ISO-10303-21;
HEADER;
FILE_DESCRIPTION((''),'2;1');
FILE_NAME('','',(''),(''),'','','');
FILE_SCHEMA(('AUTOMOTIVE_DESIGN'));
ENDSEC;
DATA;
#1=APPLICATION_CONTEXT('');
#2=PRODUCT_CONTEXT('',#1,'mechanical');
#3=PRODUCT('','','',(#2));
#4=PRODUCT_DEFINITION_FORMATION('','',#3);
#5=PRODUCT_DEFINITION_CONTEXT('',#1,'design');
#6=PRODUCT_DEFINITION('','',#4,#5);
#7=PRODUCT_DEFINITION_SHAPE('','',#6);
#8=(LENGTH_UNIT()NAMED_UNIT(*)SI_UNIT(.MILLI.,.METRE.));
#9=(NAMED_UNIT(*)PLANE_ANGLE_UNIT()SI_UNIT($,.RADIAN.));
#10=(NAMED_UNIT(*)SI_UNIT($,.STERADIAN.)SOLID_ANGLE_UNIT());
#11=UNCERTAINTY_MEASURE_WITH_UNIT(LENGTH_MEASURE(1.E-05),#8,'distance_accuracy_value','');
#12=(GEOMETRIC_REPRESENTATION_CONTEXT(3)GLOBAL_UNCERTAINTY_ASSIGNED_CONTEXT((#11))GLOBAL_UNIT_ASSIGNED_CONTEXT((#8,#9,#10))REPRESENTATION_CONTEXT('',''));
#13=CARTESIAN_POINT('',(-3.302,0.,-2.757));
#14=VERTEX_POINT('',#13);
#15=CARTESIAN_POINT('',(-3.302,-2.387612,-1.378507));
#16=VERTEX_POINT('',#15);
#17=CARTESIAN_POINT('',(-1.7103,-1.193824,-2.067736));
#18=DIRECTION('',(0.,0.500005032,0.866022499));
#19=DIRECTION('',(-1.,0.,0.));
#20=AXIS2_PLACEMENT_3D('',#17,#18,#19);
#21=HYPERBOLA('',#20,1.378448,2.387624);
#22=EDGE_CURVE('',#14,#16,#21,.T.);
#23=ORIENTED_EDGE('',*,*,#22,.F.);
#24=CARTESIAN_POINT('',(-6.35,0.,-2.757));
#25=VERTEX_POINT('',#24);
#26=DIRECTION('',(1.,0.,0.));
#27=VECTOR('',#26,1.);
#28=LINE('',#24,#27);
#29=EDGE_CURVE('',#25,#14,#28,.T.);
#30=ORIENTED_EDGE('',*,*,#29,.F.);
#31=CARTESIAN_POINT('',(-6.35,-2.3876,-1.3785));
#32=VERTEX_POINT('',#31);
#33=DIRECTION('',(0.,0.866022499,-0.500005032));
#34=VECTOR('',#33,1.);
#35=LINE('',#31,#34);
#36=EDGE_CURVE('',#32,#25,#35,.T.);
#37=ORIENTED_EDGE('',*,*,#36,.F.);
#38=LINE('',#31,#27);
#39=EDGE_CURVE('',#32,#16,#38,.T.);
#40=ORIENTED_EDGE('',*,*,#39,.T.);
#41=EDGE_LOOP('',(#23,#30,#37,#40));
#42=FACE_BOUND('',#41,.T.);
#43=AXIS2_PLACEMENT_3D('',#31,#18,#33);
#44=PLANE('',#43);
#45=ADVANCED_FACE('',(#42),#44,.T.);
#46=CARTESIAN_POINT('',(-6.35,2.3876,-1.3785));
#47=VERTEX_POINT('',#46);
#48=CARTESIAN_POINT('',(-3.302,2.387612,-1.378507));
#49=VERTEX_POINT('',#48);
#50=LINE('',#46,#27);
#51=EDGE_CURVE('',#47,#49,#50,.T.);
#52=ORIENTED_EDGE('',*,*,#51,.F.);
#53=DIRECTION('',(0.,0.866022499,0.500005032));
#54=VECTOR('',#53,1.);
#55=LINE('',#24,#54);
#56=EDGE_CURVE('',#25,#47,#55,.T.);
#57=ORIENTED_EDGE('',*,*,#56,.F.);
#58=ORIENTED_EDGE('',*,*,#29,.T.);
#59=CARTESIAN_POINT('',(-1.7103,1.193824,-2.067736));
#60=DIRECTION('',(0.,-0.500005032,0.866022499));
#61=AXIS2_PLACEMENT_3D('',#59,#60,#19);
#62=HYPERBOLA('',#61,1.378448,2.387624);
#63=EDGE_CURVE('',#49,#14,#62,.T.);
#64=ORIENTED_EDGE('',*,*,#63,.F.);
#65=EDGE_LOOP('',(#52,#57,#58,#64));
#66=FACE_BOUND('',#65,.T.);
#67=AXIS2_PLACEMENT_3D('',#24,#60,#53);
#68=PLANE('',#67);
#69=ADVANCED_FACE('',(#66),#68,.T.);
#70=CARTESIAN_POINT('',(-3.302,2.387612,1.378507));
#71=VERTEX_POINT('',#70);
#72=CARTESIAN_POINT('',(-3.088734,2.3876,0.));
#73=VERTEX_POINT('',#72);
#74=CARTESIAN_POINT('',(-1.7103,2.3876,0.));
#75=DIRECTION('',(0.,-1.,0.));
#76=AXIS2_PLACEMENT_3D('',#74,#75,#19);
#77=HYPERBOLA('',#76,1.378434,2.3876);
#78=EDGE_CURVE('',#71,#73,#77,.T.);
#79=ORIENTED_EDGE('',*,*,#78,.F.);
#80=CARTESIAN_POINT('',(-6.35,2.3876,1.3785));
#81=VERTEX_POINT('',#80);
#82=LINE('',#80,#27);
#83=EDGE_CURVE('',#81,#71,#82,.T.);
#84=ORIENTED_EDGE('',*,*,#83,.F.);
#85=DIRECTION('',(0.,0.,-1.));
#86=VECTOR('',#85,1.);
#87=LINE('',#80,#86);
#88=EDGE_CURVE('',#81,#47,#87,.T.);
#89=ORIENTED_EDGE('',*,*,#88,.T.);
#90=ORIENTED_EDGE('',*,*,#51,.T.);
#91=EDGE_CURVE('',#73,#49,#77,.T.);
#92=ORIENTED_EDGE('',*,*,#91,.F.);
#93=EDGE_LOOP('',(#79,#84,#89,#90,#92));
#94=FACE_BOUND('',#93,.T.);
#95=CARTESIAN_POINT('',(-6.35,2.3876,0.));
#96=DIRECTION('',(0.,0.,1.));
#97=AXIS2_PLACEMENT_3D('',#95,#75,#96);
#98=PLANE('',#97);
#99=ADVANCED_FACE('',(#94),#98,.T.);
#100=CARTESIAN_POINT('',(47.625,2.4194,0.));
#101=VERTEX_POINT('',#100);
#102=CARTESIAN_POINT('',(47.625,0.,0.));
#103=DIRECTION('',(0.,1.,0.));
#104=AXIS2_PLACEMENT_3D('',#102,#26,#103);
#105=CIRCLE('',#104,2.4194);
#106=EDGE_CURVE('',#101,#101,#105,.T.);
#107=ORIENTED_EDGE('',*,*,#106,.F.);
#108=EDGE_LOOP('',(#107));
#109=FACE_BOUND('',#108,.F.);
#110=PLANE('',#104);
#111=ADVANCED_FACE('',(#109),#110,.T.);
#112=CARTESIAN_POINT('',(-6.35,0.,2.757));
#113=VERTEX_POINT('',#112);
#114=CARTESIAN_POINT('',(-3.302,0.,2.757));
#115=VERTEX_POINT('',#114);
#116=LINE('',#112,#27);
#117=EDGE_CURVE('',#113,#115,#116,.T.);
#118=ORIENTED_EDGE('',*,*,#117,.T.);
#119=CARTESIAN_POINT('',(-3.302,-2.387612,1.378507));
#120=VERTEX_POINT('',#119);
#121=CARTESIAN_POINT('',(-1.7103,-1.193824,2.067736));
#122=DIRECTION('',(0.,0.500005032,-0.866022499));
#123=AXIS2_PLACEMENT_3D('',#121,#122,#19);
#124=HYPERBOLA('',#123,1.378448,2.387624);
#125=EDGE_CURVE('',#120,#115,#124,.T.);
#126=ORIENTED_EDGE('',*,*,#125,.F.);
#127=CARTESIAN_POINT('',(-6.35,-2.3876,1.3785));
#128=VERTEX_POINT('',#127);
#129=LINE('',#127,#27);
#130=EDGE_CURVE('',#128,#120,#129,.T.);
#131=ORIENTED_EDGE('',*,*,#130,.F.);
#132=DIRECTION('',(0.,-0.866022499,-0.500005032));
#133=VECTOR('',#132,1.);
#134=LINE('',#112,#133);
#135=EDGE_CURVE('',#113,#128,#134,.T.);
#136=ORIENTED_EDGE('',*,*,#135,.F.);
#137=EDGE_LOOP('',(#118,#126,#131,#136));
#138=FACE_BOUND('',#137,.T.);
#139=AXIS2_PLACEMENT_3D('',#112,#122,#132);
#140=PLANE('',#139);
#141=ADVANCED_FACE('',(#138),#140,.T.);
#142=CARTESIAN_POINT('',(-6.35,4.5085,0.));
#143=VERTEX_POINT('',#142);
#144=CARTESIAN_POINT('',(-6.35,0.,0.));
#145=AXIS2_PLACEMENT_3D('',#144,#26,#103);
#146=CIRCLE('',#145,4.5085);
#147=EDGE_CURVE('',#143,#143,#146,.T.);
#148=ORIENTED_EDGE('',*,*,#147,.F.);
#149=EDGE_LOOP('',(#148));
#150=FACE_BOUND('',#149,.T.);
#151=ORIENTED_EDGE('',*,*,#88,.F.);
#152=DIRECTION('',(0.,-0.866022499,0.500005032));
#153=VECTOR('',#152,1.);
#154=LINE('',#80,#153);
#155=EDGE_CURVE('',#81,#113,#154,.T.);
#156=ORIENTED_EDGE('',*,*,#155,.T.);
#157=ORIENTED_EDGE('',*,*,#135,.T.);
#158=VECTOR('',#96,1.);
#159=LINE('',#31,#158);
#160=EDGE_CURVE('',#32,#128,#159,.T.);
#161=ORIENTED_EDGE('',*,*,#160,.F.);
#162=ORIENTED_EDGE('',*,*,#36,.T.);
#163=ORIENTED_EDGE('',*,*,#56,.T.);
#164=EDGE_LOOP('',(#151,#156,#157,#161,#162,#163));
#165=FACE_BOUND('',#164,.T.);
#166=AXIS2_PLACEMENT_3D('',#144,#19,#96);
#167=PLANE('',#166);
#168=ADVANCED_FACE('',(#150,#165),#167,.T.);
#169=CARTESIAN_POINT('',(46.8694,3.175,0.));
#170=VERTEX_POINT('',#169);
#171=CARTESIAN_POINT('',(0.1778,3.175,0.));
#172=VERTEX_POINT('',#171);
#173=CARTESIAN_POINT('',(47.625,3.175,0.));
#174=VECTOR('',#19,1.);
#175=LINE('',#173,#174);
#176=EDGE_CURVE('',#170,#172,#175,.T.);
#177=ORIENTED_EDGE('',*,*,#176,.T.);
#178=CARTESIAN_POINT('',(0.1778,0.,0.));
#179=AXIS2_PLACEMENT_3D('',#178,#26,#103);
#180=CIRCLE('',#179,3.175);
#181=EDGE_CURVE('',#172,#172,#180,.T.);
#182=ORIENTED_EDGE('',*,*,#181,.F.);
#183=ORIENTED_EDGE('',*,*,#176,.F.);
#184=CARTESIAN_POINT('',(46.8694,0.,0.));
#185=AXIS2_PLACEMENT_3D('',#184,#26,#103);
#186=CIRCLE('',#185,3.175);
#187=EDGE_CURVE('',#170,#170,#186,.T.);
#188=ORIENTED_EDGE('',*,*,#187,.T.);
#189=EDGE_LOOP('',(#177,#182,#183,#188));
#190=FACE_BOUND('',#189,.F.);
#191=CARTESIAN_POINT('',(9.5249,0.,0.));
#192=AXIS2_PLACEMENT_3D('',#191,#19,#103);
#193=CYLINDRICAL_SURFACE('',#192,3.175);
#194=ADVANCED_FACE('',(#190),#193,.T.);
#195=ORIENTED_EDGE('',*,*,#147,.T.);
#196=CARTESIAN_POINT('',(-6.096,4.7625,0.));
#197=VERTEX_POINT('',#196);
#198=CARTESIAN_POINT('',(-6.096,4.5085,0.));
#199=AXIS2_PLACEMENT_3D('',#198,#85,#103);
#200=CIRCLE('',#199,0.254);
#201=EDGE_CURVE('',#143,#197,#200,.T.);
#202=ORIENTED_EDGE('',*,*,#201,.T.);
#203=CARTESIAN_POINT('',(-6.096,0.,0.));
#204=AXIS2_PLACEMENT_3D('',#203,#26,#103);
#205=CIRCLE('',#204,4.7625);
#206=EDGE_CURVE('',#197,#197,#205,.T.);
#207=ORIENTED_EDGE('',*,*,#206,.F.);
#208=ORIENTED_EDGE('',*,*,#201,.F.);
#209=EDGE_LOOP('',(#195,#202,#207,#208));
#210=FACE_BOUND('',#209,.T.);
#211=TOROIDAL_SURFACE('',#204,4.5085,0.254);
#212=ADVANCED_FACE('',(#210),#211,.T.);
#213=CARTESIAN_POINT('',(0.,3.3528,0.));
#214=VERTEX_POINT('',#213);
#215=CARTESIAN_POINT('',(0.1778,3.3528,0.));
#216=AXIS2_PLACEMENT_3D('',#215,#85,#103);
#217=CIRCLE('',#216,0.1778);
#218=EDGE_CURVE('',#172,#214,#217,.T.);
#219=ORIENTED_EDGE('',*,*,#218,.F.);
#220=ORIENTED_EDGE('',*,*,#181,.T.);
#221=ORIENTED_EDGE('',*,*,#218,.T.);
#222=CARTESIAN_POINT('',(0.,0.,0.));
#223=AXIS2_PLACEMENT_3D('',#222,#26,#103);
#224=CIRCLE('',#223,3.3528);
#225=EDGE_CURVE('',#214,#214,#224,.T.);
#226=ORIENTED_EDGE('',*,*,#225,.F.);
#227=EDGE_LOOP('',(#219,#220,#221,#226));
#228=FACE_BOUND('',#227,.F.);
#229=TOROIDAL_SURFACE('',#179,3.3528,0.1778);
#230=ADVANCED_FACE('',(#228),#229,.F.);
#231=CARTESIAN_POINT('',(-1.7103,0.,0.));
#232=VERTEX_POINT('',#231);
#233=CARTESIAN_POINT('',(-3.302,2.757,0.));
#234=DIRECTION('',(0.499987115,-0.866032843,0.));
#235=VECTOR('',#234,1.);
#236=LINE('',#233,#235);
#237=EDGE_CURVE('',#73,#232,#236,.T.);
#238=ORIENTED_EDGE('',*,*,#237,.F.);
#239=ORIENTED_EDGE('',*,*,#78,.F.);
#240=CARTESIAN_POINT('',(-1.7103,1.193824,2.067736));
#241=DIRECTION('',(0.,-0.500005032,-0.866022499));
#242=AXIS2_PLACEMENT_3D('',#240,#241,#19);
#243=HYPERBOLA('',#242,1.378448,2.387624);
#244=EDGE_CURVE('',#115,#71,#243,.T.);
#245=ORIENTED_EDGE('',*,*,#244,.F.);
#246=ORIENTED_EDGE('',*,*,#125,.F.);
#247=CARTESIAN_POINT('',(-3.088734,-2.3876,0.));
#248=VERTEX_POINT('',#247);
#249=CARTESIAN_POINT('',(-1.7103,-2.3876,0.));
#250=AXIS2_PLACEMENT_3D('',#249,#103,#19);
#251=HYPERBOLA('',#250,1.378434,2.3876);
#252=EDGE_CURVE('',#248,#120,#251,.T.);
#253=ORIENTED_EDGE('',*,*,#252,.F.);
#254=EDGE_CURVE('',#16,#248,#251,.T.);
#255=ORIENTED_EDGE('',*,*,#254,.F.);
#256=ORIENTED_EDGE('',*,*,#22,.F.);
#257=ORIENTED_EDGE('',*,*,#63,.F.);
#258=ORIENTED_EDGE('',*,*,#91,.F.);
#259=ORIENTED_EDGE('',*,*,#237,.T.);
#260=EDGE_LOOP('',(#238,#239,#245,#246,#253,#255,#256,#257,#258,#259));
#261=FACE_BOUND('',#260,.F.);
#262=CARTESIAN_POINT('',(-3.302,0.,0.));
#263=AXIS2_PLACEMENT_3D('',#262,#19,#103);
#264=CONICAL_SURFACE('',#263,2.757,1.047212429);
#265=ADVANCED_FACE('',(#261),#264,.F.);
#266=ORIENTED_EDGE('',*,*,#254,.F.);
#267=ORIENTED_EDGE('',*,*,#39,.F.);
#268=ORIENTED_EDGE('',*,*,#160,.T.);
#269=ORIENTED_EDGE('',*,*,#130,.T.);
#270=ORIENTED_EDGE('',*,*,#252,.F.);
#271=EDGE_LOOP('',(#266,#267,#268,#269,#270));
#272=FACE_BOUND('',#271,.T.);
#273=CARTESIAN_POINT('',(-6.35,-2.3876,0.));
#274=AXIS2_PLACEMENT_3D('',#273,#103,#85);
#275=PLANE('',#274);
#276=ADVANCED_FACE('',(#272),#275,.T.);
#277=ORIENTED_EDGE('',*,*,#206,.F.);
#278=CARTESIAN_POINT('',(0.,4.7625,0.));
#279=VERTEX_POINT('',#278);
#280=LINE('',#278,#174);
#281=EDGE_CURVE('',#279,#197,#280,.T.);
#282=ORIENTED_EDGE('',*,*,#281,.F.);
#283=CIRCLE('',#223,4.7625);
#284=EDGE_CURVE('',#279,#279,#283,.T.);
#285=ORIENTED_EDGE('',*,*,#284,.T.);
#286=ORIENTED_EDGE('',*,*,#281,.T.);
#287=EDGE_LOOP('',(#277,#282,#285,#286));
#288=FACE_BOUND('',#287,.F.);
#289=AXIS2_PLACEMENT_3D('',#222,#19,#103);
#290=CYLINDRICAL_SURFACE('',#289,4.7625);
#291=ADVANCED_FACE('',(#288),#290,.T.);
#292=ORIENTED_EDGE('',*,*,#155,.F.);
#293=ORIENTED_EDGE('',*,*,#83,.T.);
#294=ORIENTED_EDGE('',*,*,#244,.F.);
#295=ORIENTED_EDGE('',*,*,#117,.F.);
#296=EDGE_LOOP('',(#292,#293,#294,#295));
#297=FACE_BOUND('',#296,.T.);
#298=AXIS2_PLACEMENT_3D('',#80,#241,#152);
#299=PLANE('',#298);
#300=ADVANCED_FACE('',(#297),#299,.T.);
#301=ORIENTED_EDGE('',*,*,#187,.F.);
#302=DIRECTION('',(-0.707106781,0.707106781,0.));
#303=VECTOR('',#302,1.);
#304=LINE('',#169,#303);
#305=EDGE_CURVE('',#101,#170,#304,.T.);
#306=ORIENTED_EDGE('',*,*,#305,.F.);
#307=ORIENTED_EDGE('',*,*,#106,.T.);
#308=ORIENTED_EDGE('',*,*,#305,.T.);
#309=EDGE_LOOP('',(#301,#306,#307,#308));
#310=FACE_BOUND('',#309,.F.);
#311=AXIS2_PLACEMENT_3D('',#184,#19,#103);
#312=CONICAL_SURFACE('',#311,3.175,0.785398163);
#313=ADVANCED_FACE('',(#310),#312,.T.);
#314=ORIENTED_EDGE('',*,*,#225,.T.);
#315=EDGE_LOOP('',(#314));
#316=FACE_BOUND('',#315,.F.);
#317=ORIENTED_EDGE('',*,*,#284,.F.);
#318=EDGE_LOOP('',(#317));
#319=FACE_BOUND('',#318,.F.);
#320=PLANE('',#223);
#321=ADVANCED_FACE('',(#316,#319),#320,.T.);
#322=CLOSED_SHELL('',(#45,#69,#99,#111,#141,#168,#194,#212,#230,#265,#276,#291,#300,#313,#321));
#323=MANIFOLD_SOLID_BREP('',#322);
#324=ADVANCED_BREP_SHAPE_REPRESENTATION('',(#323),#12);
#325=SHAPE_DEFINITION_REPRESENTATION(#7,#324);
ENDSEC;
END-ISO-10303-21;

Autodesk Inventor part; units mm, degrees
ref_plane "YZ Plane" through (0, 0, 0) normal (1, 0, 0) x (0, 1, 0)
ref_plane "XZ Plane" through (0, 0, 0) normal (0, 1, 0) x (-1, 0, 0)
sketch "Sketch1" plane through (0, 0, 0) normal (0, 0, 1) x (1, 0, 0)
  line L0 (-1.7103, 0) -> (47.625, 0)
  line L1 (47.625, 0) -> (47.625, 3.175)
  line L2 (47.625, 3.175) -> (12.7, 3.175)
  line L3 (12.7, 3.175) -> (9.5249, 3.175)
  line L4 (9.5249, 3.175) -> (0, 3.175)
  line L5 (0, 3.175) -> (0, 4.7625)
  line L6 (0, 4.7625) -> (-6.35, 4.7625)
  line L7 (-6.35, 4.7625) -> (-6.35, 2.757)
  line L8 (-6.35, 2.757) -> (-3.302, 2.757)
  line L9 (-3.302, 2.757) -> (-1.7103, 0)
  line L10 (-17.145, 0) -> (58.42, 0) projected
  line L11 (0, -0.9525) -> (0, 5.715) projected
  line L12 (12.7, 3.175) -> (0, 3.175) construction
  dimension "d1" = 34.925
  dimension "d2" = 3.1751
  dimension "d3" = 6.35
  dimension "d4" = 3.048
  dimension "d5" = 60
  dimension "d6" = 6.35
  dimension "d7" = 6.35
  dimension "d8" = 5.5139
  dimension "d9" = 9.525
  dimension "d26" = 47.625
revolve "Body" add sketch "Sketch1" angle 360 about axis through (-1.7103, 0, 0) along (1, 0, 0)
sketch "Sketch2" plane through (-6.35, 0, 0) normal (-1, 0, 0) x (0, 0, 1)
  circle A0 centre (0, 0) radius 2.757 projected
  line L0 (0, -6.6675) -> (0, 6.6675) projected
  line L1 (-6.6675, 0) -> (6.6675, 0) projected
  line L2 (2.757, 0) -> (1.3785, -2.3876)
  line L3 (1.3785, -2.3876) -> (-1.3785, -2.3876)
  line L4 (-1.3785, -2.3876) -> (-2.757, 0)
  line L5 (-2.757, 0) -> (-1.3785, 2.3876)
  line L6 (-1.3785, 2.3876) -> (1.3785, 2.3876)
  line L7 (1.3785, 2.3876) -> (2.757, 0)
extrude "Slot" add sketch "Sketch2" against normal up to next contours L7 A0 | A0 L2 | L6 L0 A0 | A0 L0 L3 | L0 L6 A0 | A0 L3 L0 | L4 A0 | A0 L5
fillet "Fillet1" radius 0.254 1 edges at (-6.35, -4.7625, 0)
thread "Thread" size "1/4-20 UNC" class "2A" standard "ANSI Unified Screw Threads" length 34.925
chamfer "Chamfer1" distance 0.7556 distance2 0.7556 1 edges at (47.625, -3.175, 0) measured on face at (47.625, -0.8017, -1.6073)
ref_plane "Work Plane1" through (29, 0, 0) normal (0, -1, 0) x (1, 0, 0)
fillet "Fillet2" radius 0.1778 1 edges at (0, -3.175, 0)
equation "\"d1\" = GEL"
equation "\"d3\" = KOH"
equation "\"d4\" = INTI"
equation "\"d6\" = GD"
equation "\"d7\" = BDM"
equation "\"d8\" = 1.1547 * SW"
equation "\"d9\" = KOD"
equation "\"d26\" = NLG"
equation "\"d30\" = R"
equation "\"d17\" = RR"
equation "\"d13\" = GEL"
equation "\"d15\" = -0.5 * SPD + 0.5 * GD"
equation "\"d16\" = GUL"
equation "\"GD\" = 6.35"
equation "\"NLG\" = 47.625"
equation "\"GEL\" = 34.925"
equation "\"KOD\" = 9.525"
equation "\"KOH\" = 6.35"
equation "\"INTI\" = 3.048"
equation "\"GAL\" = 3.175"
equation "\"GUL\" = 0.75565"
equation "\"BDM\" = 6.35"
equation "\"SW\" = 4.7752"
equation "\"RR\" = 0.254"
equation "\"SPD\" = 4.8387"
equation "\"R\" = 0.1778"
equation "\"PHH\" = 0.2032"
equation "\"GD1\" = SPD"
equation "\"THREADDIA\" = 6.35"
equation "\"FAWI\" = 45deg"
equation "\"KOH1\" = 5.715"
equation "\"NND\" = 6.35"
equation "\"TOA\" = 30deg"
equation "\"E0\" = 1.155 * SW"
properties part number "ANSI B18.3 - 1/4 - 20 UNC - 1 7/8 HS HCS" material "Steel, Mild"
